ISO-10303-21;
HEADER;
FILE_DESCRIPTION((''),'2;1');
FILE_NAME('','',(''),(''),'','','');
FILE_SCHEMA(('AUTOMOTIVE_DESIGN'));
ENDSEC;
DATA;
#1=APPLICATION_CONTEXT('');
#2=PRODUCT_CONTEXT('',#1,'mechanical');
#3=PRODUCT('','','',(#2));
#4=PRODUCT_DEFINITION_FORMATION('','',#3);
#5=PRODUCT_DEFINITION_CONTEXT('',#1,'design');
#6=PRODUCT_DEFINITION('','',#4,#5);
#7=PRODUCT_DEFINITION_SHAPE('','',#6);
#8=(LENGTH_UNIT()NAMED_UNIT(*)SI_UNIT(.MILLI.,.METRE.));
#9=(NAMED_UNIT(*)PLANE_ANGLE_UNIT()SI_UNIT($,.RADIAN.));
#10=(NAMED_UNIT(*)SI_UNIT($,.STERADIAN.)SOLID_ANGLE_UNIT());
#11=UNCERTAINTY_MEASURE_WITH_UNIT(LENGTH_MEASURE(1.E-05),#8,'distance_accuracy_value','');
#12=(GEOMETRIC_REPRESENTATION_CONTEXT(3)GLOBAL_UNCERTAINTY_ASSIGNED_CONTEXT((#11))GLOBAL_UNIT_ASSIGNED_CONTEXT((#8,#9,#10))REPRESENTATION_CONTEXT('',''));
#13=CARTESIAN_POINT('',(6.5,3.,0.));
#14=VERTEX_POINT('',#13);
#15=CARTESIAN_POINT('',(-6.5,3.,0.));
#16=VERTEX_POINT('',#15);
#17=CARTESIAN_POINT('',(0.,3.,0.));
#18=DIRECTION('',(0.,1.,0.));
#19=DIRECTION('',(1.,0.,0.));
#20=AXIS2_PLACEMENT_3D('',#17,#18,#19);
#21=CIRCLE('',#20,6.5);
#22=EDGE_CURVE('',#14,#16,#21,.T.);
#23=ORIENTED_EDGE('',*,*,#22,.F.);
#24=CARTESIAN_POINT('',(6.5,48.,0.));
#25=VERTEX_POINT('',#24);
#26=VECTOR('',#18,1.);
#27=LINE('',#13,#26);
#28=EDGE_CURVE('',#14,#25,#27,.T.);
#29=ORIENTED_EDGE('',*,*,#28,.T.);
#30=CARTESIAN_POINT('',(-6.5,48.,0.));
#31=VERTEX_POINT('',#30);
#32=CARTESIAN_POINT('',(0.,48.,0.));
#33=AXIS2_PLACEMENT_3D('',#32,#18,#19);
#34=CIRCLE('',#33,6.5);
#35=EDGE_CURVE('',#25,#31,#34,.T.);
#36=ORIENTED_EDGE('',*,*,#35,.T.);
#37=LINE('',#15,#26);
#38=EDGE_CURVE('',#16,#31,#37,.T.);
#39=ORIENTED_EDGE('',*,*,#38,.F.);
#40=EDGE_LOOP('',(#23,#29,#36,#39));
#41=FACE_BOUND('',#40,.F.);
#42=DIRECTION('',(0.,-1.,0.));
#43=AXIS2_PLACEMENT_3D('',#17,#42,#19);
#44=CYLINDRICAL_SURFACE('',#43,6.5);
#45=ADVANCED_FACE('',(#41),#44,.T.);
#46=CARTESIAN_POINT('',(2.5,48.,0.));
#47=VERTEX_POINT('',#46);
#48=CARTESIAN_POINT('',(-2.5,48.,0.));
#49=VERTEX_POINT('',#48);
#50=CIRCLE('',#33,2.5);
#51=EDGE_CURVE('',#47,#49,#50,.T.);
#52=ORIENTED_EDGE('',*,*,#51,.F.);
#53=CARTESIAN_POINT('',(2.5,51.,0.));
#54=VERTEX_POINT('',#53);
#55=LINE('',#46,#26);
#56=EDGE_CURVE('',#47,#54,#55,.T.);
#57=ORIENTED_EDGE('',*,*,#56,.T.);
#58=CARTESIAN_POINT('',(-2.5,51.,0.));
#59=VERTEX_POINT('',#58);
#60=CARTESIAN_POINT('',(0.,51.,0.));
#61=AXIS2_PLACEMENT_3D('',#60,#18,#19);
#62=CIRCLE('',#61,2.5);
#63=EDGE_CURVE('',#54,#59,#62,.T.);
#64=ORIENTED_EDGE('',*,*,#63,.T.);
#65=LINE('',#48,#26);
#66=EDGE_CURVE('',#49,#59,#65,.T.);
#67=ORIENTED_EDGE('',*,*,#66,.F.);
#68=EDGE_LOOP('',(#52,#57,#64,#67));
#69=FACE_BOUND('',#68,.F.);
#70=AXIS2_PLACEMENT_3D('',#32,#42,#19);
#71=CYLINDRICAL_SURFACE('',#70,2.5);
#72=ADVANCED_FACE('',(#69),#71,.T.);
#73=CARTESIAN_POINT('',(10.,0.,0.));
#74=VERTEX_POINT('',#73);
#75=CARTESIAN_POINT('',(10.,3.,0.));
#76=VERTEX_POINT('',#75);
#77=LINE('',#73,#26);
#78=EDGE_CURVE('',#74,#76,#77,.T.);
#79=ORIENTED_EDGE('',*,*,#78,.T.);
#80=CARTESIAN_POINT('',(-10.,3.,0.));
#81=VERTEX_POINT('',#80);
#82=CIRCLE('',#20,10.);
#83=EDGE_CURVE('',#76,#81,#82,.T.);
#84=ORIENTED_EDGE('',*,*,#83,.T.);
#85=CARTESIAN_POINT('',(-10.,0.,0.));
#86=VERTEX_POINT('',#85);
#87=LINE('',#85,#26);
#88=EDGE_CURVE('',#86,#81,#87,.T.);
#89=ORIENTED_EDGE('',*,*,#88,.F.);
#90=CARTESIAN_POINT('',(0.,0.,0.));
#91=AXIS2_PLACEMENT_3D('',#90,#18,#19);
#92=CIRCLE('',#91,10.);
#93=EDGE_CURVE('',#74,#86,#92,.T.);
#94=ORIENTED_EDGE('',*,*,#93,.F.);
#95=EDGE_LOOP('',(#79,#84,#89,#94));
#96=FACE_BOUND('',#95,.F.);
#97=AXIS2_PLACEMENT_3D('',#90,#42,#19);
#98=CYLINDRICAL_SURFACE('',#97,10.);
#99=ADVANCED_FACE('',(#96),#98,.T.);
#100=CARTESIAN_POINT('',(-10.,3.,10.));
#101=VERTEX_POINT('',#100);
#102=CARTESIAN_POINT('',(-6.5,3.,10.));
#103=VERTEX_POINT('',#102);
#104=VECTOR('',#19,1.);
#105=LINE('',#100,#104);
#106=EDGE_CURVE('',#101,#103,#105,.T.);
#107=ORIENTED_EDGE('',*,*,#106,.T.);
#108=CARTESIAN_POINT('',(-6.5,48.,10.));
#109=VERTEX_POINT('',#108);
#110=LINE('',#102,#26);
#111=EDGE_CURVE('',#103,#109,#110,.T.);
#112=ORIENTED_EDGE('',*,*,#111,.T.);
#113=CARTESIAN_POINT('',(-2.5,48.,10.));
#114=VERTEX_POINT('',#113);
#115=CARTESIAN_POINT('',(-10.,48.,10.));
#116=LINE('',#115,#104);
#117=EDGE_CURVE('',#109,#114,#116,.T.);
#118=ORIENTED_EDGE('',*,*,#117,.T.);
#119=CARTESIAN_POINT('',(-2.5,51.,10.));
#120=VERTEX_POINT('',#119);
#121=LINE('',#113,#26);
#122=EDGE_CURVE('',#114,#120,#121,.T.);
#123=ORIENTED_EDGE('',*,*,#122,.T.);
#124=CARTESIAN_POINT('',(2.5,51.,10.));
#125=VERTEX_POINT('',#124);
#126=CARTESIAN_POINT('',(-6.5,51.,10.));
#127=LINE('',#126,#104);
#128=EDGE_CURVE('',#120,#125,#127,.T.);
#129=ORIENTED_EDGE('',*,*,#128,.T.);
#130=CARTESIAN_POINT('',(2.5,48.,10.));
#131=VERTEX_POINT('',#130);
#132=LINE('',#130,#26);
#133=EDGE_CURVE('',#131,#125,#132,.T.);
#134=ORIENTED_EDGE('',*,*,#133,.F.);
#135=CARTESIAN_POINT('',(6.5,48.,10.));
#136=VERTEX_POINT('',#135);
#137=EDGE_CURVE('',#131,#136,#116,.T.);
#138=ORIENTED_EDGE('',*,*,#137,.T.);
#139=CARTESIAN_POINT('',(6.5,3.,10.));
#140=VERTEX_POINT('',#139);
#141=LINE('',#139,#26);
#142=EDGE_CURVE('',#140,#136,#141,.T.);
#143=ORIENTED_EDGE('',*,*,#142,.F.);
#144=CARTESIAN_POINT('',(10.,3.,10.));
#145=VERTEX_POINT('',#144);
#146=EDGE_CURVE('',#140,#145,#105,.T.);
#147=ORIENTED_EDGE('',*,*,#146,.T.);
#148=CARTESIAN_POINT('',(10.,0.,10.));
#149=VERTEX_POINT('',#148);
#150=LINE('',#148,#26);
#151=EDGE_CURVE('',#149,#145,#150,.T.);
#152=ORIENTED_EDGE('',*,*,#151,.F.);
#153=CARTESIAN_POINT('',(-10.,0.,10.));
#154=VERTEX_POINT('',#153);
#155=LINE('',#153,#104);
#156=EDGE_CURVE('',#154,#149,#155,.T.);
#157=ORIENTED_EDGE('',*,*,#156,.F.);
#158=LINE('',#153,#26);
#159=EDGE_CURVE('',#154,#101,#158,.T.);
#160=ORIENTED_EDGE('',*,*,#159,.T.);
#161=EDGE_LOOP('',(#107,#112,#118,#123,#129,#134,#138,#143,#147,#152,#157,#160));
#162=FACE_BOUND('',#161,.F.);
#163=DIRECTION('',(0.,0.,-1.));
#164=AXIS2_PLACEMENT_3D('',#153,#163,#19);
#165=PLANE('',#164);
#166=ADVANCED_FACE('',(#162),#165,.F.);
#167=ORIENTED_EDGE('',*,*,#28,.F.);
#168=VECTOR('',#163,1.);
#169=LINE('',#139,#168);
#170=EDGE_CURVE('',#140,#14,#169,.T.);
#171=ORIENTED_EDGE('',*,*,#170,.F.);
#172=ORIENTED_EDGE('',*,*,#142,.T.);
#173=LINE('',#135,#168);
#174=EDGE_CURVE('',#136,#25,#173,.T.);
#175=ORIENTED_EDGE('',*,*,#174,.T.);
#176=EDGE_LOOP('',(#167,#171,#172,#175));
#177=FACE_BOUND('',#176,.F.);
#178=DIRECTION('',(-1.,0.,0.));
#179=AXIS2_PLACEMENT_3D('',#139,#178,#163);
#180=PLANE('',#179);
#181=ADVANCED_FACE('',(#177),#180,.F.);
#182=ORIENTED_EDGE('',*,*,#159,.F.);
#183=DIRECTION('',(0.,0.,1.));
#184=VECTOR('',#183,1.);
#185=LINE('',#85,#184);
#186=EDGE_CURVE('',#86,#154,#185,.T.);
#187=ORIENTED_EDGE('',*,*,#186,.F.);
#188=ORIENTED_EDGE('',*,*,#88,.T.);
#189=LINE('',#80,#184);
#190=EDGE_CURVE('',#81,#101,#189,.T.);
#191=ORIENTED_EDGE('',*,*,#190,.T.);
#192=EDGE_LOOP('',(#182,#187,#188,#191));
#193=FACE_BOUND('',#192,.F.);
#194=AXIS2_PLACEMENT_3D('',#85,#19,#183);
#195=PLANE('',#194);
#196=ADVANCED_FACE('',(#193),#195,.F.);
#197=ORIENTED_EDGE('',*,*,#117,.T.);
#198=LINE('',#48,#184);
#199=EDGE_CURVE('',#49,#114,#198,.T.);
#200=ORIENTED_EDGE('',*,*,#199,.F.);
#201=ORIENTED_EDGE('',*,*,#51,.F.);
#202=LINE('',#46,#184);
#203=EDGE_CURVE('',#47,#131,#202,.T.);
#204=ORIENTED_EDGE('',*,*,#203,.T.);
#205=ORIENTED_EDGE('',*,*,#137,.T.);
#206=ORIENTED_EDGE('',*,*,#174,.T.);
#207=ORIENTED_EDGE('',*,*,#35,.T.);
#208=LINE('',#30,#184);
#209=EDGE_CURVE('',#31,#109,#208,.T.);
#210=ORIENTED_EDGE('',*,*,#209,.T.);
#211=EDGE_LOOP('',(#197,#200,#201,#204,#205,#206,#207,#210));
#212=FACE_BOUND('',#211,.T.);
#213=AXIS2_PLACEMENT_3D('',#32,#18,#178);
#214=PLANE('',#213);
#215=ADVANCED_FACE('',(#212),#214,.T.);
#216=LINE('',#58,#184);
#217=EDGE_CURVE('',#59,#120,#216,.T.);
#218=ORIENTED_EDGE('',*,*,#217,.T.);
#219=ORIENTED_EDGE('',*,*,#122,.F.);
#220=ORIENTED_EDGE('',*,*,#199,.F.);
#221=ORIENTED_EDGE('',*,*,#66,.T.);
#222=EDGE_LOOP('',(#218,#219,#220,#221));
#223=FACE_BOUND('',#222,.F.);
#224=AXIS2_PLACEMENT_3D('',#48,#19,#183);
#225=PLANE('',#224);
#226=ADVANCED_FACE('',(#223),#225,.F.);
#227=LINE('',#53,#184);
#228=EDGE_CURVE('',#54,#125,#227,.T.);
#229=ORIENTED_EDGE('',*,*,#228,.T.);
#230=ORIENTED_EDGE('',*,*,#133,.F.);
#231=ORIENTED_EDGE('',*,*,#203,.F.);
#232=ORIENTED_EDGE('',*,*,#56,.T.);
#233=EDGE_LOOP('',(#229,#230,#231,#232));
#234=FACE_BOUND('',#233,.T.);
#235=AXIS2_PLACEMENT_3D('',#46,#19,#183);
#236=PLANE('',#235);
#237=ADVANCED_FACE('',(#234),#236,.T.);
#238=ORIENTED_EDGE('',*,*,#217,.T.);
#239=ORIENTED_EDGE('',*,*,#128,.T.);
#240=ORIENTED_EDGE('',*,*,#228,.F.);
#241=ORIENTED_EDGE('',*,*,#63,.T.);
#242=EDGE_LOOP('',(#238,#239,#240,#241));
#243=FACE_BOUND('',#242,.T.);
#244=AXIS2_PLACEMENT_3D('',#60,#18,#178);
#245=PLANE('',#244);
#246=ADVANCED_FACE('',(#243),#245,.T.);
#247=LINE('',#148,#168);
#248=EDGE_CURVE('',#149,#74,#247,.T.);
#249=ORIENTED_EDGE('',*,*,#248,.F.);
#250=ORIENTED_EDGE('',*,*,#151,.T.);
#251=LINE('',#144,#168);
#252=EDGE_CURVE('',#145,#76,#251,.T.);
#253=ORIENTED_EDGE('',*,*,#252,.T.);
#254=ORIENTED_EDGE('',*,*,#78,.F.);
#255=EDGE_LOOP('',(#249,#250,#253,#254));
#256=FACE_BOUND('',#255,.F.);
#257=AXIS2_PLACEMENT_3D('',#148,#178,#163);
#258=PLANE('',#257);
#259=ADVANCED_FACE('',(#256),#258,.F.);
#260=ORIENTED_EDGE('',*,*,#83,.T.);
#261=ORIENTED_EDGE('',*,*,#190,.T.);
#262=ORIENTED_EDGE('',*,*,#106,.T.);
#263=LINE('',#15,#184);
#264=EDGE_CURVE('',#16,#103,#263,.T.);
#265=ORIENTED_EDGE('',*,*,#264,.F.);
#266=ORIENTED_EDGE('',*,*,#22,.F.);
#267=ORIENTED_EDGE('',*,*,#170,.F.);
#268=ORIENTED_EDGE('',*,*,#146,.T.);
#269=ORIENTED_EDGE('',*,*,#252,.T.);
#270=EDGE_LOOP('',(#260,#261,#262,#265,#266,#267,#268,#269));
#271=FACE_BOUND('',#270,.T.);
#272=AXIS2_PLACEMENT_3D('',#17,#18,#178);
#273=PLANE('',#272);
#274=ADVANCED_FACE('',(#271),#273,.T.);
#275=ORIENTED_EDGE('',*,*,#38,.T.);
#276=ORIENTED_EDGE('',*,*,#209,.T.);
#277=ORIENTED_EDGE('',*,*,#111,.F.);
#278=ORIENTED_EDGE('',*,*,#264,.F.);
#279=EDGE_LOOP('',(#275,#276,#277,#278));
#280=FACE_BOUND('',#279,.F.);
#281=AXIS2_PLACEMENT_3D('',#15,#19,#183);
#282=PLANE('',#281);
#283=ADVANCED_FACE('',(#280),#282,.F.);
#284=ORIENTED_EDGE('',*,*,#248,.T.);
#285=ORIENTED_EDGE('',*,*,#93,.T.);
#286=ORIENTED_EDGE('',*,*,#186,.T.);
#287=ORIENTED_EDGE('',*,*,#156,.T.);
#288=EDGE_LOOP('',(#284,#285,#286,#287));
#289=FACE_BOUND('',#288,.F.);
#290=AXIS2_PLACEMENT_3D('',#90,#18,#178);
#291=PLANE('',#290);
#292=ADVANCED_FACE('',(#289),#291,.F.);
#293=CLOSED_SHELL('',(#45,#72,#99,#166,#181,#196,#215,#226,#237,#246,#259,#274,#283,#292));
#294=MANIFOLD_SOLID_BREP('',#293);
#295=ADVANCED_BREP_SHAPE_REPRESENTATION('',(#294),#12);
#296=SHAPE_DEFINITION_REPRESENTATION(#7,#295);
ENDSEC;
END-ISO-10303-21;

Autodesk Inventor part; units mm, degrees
ref_plane "YZ Plane" through (0, 0, 0) normal (1, 0, 0) x (0, 1, 0)
ref_plane "XZ Plane" through (0, 0, 0) normal (0, 1, 0) x (-1, 0, 0)
ref_plane "XY Plane" through (0, 0, 0) normal (0, 0, 1) x (1, 0, 0)
sketch "Sketch1" plane through (0, 0, 0) normal (0, 1, 0) x (-1, 0, 0)
  arc A0 (-10, 0) -> (10, 0) centre (0, 0) ccw
  line L0 (10, 0) -> (10, 10)
  line L1 (10, 10) -> (-10, 10)
  line L2 (-10, 10) -> (-10, 0)
  dimension "d0" = 20
  dimension "d9" = 10
  dimension "d10" = 10
  dimension "d11" = 20
extrude "Extrusion1" add sketch "Sketch1" along normal blind 3
sketch "Sketch2" plane through (0, 3, 0) normal (0, 1, 0) x (-1, 0, 0)
  arc A0 (-6.5, 0) -> (6.5, 0) centre (0, 0) ccw
  line L0 (6.5, 0) -> (6.5, 10)
  line L1 (10, 10) -> (-10, 10) projected
  line L2 (-6.5, 10) -> (-6.5, 0)
  dimension "d3" = 13
extrude "Extrusion2" add sketch "Sketch2" along normal blind 45
sketch "Sketch3" plane through (0, 48, 0) normal (0, 1, 0) x (-1, 0, 0)
  arc A0 (-2.5, 0) -> (2.5, 0) centre (0, 0) ccw
  line L0 (2.5, 0) -> (2.5, 10)
  line L1 (-2.5, 0) -> (-2.5, 10)
  line L2 (6.5, 0) -> (6.5, 10) projected
  line L3 (6.5, 10) -> (-6.5, 10) projected
  line L4 (-6.5, 10) -> (-6.5, 0) projected
  arc A1 (-6.5, 0) -> (6.5, 0) centre (0, 0) ccw projected
  point P0 (2.5, 10)
  dimension "d6" = 5
  dimension "d12" = 5
extrude "Extrusion3" add sketch "Sketch3" along normal blind 3 contours L1 L3 L0 A0
equation "\"d12\" = d6"
properties part number "Stand"
